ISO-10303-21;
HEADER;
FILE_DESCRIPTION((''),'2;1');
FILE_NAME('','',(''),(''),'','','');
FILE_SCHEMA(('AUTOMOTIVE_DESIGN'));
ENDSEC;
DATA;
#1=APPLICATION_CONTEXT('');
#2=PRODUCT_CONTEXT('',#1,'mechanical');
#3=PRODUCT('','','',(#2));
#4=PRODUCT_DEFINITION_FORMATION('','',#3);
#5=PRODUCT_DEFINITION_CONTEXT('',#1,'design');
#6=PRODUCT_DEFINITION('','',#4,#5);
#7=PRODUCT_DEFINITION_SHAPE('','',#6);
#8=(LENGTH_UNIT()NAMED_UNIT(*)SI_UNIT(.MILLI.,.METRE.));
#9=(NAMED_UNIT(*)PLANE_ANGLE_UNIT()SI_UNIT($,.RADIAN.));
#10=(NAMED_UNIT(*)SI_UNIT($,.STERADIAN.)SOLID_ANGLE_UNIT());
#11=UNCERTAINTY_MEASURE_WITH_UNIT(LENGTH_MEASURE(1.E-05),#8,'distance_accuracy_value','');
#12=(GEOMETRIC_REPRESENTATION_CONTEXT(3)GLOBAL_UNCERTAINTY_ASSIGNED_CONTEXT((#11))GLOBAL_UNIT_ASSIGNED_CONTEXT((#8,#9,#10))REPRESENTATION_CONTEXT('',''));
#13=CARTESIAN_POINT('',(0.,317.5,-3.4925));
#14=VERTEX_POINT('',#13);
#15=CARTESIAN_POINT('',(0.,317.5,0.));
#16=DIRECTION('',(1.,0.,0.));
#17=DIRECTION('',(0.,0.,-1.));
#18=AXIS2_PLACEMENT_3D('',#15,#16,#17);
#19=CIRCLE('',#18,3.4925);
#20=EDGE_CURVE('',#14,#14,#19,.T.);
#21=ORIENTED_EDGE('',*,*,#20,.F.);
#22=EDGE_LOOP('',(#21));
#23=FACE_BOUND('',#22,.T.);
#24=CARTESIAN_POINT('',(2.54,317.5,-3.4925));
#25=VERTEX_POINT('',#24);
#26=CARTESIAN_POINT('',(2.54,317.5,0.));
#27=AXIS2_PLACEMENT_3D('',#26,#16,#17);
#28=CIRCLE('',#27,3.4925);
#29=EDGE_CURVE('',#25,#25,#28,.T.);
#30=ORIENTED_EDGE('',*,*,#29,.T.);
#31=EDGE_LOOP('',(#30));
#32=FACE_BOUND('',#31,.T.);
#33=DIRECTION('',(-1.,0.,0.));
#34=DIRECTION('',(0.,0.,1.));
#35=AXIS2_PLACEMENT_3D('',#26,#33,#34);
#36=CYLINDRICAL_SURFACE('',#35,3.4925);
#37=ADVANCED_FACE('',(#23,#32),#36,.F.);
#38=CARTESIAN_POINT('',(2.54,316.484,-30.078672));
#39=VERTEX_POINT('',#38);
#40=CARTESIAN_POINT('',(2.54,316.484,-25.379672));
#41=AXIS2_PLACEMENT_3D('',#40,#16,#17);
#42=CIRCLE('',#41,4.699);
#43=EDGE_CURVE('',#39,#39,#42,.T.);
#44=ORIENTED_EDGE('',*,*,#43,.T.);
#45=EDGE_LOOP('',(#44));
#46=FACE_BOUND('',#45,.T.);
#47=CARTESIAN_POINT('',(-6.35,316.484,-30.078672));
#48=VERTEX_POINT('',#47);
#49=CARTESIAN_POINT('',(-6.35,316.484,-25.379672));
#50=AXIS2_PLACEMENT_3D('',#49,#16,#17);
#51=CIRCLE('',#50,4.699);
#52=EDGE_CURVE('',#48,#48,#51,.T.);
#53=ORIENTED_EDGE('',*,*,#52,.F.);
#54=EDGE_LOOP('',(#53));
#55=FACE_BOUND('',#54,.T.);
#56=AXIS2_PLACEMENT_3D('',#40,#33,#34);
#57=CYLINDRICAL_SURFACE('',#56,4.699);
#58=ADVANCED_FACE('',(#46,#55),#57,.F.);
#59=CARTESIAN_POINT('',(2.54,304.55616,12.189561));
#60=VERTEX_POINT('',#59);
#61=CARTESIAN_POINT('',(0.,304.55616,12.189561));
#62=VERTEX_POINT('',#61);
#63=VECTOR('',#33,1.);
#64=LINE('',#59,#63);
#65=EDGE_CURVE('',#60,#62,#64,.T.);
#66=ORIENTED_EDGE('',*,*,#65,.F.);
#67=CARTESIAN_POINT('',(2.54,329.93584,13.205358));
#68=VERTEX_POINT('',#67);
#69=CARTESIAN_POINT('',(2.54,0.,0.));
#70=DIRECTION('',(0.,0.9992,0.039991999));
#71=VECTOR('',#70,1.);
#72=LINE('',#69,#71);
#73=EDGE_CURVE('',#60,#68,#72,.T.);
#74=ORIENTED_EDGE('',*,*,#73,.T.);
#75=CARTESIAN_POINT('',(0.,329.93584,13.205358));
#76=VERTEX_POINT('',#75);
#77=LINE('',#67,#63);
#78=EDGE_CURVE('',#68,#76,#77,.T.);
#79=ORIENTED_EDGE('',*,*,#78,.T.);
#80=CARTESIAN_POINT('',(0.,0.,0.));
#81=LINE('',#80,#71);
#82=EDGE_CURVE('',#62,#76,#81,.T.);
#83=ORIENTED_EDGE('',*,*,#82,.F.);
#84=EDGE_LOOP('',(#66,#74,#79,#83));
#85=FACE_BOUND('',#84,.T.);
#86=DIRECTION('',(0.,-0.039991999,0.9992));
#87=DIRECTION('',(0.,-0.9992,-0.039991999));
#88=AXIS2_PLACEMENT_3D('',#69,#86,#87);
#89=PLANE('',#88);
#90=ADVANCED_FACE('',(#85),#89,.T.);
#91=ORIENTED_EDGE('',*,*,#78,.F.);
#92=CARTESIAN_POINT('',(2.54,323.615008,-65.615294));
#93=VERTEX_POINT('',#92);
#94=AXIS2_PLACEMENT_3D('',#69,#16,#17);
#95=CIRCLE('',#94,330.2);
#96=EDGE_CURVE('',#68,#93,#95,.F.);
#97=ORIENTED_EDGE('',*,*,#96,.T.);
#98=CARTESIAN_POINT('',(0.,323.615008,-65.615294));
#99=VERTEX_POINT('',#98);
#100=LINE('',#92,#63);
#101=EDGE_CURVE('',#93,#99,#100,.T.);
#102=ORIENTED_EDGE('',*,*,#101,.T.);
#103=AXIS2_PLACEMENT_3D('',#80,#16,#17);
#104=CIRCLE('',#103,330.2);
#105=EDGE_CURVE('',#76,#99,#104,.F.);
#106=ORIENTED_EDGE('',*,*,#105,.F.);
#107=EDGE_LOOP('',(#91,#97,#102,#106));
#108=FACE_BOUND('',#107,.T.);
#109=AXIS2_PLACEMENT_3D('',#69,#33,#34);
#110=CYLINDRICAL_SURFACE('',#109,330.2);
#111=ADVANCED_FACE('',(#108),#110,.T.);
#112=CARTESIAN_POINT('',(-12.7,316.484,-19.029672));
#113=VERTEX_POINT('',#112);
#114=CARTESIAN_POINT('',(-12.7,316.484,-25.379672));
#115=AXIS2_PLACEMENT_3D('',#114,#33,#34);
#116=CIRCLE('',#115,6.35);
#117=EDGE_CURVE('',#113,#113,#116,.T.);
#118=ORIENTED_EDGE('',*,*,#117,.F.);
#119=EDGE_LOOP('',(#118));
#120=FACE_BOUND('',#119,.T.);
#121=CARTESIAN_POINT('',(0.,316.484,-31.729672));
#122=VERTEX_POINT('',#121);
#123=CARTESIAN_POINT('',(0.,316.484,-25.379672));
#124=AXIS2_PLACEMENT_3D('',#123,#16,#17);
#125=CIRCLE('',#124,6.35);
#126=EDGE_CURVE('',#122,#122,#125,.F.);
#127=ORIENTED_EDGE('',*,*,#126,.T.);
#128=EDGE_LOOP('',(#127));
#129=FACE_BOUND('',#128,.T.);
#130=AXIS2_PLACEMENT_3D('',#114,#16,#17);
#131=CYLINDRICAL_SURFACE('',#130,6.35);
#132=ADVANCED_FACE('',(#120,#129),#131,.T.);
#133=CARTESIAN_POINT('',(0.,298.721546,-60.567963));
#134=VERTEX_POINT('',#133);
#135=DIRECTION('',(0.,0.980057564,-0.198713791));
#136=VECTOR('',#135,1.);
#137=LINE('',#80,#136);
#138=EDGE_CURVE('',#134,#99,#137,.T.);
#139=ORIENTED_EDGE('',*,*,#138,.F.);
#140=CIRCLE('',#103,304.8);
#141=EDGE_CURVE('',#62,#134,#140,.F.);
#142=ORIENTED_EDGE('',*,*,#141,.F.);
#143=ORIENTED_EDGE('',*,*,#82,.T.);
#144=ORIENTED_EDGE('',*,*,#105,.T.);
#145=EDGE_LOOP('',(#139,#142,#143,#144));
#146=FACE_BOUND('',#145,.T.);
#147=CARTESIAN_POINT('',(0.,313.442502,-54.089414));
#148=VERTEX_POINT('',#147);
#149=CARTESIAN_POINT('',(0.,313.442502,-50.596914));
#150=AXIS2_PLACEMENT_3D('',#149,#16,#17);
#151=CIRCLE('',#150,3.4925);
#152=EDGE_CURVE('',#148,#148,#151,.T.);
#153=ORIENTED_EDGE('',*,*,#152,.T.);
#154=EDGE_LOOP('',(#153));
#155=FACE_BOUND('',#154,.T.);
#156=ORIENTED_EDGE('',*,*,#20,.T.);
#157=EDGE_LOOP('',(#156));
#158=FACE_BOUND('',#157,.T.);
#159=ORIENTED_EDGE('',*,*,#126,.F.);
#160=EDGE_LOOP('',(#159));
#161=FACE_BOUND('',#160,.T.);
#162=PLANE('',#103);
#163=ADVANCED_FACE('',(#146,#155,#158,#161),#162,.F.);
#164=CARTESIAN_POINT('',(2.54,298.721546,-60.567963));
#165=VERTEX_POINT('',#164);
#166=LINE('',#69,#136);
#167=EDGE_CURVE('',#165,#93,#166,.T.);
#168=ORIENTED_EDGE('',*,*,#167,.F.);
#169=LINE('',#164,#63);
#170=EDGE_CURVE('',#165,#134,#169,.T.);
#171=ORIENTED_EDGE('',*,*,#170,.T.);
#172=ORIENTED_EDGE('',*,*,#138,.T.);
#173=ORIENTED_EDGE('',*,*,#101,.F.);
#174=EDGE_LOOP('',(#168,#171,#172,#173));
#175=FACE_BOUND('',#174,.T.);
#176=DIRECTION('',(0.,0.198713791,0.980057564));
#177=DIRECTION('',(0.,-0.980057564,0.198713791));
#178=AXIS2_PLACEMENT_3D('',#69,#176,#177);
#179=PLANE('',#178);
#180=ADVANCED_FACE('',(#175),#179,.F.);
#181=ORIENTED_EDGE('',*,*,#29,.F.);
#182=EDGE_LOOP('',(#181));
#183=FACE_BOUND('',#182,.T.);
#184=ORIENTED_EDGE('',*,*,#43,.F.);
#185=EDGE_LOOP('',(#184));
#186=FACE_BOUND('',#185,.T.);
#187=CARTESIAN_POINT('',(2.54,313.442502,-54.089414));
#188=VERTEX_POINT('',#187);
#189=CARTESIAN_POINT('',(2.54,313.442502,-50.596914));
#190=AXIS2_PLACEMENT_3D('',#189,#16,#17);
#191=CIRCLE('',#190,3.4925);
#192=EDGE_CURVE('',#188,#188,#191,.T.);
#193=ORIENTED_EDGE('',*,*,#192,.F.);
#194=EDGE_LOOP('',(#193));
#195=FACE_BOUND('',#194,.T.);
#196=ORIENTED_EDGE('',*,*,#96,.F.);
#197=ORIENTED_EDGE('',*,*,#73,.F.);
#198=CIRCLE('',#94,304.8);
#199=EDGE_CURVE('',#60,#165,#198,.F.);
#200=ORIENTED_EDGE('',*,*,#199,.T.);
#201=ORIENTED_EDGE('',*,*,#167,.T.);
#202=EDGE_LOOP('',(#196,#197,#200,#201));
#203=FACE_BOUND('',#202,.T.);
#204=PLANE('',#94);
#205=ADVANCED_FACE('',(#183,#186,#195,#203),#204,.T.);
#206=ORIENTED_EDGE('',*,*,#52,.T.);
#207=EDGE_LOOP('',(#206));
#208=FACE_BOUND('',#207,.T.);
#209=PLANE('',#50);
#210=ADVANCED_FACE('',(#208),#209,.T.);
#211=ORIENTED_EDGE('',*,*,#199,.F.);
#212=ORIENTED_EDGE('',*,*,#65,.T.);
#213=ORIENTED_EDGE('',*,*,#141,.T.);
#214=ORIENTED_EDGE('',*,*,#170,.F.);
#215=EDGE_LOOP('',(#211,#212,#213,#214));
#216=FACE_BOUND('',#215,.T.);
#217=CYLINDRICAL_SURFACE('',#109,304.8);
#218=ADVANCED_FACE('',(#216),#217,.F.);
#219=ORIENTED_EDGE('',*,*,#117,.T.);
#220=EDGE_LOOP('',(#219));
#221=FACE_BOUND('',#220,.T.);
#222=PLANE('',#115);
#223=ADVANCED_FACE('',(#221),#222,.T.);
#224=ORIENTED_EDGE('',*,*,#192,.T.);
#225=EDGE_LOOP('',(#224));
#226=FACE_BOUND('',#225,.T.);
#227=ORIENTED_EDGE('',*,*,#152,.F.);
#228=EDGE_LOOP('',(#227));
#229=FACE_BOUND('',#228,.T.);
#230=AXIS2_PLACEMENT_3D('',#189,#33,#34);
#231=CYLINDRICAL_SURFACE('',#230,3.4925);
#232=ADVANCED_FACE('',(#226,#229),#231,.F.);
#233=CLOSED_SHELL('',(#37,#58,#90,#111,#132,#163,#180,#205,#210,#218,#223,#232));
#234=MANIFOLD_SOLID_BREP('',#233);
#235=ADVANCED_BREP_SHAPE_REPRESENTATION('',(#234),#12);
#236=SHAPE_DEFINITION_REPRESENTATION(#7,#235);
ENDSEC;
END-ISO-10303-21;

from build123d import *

# Parameters (mm, degrees)
SKETCH1_R           = 3.4925
SKETCH1_R_2         = 4.699
BOSS_EXTRUDE1_DEPTH = 2.54
SKETCH2_R           = 6.35
BOSS_EXTRUDE2_DEPTH = 12.7
SKETCH4_R           = 4.699
CUT_EXTRUDE1_DEPTH  = 6.35


with BuildPart() as part:
    # Sketch1 → Boss-Extrude1 (new body)
    with BuildSketch(Plane(origin=(0, 0, 0), x_dir=(0, 0, -1), z_dir=(1, 0, 0))):
        with BuildLine():
            Line((-12.189561356, 304.55616), (-13.205358136, 329.93584))
            ThreePointArc((-13.205358136, 329.93584), (26.39485874, 329.14336), (65.615293749, 323.615007727))
            Line((65.615293749, 323.615007727), (60.567963461, 298.721545594))
            ThreePointArc((60.567963461, 298.721545594), (24.364484991, 303.82464), (-12.189561356, 304.55616))
        make_face()
        with Locations((0, 317.5)):
            Circle(SKETCH1_R, mode=Mode.SUBTRACT)
        with Locations((25.379671865, 316.484)):
            Circle(SKETCH1_R_2, mode=Mode.SUBTRACT)
        with Locations((50.596913831, 313.4425024)):
            Circle(SKETCH1_R, mode=Mode.SUBTRACT)
    extrude(amount=BOSS_EXTRUDE1_DEPTH)

    # Sketch2 → Boss-Extrude2 (add)
    with BuildSketch(Plane.ZY):
        with Locations((-25.379671865, 316.484)):
            Circle(SKETCH2_R)
    extrude(amount=BOSS_EXTRUDE2_DEPTH)

    # Sketch4 → Cut-Extrude1 (cut)
    with BuildSketch(Plane(origin=(0, 0, 0), x_dir=(0, 0, -1), z_dir=(1, 0, 0))):
        with Locations((25.379671865, 316.484)):
            Circle(SKETCH4_R)
    extrude(amount=-CUT_EXTRUDE1_DEPTH, mode=Mode.SUBTRACT)


solid = part.part
